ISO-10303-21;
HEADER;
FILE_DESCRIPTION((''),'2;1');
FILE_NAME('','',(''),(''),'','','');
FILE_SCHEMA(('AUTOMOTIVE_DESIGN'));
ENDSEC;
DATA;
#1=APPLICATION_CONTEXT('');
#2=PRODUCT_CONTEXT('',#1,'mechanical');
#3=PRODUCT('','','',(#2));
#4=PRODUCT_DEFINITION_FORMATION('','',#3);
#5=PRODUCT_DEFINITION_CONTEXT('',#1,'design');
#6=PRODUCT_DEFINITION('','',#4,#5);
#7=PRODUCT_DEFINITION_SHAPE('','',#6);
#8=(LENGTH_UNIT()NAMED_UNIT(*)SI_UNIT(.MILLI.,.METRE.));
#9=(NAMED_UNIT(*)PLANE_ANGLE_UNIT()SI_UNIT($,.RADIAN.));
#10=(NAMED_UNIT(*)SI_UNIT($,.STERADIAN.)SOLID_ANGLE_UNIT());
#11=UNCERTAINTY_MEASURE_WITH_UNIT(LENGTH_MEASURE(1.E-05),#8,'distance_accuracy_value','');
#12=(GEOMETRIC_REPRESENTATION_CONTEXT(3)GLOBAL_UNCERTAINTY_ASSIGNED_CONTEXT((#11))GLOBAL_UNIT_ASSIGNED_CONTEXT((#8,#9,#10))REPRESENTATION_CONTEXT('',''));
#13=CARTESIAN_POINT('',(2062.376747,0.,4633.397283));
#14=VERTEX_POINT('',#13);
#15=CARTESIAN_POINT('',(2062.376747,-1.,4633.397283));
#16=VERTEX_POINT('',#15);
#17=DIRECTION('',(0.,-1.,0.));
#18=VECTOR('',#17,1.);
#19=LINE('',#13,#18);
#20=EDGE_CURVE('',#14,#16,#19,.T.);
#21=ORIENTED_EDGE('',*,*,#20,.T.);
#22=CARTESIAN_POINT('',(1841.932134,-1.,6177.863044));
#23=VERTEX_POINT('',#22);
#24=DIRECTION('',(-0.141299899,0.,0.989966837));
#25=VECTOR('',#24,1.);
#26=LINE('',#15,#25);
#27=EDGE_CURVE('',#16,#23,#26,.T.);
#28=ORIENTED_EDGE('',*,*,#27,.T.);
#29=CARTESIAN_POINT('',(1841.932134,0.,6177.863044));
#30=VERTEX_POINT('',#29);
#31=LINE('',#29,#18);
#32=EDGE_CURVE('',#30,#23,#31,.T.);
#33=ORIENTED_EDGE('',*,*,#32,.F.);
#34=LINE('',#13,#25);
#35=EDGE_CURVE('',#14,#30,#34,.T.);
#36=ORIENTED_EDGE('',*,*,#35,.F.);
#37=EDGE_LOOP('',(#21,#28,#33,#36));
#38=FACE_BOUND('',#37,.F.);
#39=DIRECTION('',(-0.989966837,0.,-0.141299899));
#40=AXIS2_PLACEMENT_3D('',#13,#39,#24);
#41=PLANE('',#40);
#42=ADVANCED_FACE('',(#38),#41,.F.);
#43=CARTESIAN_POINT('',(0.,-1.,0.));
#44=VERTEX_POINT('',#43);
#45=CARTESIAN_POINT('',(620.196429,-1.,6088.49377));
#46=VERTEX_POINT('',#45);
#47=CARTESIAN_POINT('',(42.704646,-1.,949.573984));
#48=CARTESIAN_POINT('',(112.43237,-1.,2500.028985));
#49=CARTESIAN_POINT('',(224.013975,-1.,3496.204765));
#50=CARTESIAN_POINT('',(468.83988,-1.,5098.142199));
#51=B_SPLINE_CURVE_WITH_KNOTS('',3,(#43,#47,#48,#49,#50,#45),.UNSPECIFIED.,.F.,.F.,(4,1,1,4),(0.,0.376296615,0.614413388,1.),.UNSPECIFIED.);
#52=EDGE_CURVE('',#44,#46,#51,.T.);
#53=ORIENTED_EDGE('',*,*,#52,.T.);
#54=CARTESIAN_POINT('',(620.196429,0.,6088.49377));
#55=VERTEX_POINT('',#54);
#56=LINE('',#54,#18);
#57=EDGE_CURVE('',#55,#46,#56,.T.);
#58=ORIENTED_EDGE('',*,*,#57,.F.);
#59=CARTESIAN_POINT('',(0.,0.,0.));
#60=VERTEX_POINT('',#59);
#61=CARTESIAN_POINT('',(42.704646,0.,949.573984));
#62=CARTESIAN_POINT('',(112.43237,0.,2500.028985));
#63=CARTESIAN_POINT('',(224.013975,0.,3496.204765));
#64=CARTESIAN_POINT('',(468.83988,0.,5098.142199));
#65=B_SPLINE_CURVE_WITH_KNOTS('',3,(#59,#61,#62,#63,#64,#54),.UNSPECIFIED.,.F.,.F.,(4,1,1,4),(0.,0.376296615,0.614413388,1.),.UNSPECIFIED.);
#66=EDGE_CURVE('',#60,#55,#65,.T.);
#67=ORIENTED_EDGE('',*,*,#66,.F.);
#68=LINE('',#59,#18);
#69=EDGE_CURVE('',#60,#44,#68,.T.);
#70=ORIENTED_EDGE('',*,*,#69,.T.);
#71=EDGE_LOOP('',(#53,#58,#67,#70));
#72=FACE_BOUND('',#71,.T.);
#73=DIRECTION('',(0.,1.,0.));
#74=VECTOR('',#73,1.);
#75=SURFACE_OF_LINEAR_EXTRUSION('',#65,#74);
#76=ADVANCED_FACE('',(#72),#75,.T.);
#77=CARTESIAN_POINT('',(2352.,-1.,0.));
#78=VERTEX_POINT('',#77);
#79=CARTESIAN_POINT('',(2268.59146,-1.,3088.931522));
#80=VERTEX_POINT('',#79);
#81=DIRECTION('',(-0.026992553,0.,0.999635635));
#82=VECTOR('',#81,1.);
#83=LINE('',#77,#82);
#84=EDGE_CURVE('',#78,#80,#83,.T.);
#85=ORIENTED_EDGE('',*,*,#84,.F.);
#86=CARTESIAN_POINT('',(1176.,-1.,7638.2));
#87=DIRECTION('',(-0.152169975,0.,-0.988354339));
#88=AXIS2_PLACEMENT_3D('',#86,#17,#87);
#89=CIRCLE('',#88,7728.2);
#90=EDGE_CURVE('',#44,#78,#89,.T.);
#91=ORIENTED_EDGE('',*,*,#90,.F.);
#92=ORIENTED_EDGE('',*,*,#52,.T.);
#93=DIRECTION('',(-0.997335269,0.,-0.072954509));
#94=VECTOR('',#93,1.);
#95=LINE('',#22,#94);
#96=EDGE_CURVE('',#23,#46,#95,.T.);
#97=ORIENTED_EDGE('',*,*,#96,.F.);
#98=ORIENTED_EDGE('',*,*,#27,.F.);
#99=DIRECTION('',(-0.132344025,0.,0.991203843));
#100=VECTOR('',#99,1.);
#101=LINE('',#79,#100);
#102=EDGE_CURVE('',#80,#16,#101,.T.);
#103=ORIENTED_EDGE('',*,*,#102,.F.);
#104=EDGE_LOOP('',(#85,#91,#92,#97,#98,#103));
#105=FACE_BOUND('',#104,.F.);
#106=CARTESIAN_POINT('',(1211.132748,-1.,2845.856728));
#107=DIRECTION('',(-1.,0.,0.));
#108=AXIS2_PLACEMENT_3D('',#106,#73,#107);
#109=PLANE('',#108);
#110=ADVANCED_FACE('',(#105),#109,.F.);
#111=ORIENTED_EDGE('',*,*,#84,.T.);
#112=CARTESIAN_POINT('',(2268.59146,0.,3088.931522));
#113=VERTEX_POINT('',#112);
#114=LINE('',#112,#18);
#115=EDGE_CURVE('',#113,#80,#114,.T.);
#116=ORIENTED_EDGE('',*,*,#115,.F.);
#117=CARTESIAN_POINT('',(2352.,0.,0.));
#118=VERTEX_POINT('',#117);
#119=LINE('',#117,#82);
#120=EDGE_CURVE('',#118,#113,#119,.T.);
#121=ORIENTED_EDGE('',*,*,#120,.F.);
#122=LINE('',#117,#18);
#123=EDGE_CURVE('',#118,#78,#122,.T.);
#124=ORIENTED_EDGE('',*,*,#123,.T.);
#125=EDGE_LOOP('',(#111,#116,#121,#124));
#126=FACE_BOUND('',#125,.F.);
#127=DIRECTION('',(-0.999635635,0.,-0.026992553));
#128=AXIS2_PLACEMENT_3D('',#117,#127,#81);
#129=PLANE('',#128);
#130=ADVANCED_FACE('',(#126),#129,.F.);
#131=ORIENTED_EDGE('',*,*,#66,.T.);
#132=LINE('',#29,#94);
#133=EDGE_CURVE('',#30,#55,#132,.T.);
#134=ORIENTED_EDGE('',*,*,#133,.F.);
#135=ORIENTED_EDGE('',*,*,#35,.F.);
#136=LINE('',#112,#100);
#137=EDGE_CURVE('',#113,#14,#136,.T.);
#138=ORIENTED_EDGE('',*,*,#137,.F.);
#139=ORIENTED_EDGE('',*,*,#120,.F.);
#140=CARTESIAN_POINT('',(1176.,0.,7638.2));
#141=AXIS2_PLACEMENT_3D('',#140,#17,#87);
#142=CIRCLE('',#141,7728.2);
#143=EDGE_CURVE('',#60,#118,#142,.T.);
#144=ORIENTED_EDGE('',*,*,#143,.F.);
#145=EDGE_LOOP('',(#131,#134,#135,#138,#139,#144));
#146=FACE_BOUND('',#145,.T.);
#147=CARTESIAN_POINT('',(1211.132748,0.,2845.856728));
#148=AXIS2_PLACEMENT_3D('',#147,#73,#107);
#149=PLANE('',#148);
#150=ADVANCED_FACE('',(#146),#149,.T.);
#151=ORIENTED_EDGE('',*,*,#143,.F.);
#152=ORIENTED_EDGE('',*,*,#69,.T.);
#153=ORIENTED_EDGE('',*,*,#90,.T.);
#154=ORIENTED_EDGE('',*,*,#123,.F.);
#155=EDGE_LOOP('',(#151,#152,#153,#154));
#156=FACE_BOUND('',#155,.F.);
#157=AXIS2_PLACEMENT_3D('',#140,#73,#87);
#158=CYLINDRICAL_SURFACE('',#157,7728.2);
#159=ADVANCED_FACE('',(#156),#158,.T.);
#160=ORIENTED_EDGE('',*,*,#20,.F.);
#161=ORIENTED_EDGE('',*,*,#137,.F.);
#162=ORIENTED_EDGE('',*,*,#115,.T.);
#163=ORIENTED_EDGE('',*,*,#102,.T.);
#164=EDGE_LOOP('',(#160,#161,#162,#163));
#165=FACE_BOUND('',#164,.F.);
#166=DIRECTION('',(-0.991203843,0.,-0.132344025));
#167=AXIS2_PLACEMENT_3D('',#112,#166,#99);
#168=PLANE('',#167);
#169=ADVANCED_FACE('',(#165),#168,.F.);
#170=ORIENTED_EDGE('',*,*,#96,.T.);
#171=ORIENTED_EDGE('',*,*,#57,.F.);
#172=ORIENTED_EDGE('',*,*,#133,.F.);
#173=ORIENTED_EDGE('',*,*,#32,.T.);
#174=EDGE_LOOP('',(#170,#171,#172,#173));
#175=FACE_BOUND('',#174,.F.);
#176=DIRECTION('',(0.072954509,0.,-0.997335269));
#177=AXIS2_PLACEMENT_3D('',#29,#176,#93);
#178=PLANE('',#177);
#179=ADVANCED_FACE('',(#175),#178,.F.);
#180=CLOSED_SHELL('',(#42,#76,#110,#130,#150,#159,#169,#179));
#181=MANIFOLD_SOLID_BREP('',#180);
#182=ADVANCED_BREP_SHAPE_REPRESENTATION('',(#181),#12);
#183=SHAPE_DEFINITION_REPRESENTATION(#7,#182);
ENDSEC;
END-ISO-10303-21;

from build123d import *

# Parameters (mm, degrees)
F3_DEPTH = 1


with BuildPart() as f3:
    # F2 (on face) → F3 (new body)
    with BuildSketch(Plane.XZ):
        with BuildLine():
            add(Edge.make_bspline(
                [(0, 0), (42.7046461039, 949.5739841818), (112.432369512, 2500.0289853407), (224.0139745837, 3496.2047652429), (468.8398802864, 5098.1421986098), (620.1964285714, 6088.4937702183)],
                knots=[0, 0, 0, 0, 0.3762966151, 0.6144133881, 1, 1, 1, 1], degree=3))
            ThreePointArc((0, 0), (1176, -90), (2352, 0))
            Line((2352, 0), (2268.5914598735, 3088.9315220325))
            Line((2268.5914598735, 3088.9315220325), (2062.376746933, 4633.3972830488))
            Line((2062.376746933, 4633.3972830488), (1841.9321335797, 6177.863044065))
            Line((1841.9321335797, 6177.863044065), (620.1964285714, 6088.4937702183))
        make_face()
    extrude(amount=F3_DEPTH)


solid = f3.part
